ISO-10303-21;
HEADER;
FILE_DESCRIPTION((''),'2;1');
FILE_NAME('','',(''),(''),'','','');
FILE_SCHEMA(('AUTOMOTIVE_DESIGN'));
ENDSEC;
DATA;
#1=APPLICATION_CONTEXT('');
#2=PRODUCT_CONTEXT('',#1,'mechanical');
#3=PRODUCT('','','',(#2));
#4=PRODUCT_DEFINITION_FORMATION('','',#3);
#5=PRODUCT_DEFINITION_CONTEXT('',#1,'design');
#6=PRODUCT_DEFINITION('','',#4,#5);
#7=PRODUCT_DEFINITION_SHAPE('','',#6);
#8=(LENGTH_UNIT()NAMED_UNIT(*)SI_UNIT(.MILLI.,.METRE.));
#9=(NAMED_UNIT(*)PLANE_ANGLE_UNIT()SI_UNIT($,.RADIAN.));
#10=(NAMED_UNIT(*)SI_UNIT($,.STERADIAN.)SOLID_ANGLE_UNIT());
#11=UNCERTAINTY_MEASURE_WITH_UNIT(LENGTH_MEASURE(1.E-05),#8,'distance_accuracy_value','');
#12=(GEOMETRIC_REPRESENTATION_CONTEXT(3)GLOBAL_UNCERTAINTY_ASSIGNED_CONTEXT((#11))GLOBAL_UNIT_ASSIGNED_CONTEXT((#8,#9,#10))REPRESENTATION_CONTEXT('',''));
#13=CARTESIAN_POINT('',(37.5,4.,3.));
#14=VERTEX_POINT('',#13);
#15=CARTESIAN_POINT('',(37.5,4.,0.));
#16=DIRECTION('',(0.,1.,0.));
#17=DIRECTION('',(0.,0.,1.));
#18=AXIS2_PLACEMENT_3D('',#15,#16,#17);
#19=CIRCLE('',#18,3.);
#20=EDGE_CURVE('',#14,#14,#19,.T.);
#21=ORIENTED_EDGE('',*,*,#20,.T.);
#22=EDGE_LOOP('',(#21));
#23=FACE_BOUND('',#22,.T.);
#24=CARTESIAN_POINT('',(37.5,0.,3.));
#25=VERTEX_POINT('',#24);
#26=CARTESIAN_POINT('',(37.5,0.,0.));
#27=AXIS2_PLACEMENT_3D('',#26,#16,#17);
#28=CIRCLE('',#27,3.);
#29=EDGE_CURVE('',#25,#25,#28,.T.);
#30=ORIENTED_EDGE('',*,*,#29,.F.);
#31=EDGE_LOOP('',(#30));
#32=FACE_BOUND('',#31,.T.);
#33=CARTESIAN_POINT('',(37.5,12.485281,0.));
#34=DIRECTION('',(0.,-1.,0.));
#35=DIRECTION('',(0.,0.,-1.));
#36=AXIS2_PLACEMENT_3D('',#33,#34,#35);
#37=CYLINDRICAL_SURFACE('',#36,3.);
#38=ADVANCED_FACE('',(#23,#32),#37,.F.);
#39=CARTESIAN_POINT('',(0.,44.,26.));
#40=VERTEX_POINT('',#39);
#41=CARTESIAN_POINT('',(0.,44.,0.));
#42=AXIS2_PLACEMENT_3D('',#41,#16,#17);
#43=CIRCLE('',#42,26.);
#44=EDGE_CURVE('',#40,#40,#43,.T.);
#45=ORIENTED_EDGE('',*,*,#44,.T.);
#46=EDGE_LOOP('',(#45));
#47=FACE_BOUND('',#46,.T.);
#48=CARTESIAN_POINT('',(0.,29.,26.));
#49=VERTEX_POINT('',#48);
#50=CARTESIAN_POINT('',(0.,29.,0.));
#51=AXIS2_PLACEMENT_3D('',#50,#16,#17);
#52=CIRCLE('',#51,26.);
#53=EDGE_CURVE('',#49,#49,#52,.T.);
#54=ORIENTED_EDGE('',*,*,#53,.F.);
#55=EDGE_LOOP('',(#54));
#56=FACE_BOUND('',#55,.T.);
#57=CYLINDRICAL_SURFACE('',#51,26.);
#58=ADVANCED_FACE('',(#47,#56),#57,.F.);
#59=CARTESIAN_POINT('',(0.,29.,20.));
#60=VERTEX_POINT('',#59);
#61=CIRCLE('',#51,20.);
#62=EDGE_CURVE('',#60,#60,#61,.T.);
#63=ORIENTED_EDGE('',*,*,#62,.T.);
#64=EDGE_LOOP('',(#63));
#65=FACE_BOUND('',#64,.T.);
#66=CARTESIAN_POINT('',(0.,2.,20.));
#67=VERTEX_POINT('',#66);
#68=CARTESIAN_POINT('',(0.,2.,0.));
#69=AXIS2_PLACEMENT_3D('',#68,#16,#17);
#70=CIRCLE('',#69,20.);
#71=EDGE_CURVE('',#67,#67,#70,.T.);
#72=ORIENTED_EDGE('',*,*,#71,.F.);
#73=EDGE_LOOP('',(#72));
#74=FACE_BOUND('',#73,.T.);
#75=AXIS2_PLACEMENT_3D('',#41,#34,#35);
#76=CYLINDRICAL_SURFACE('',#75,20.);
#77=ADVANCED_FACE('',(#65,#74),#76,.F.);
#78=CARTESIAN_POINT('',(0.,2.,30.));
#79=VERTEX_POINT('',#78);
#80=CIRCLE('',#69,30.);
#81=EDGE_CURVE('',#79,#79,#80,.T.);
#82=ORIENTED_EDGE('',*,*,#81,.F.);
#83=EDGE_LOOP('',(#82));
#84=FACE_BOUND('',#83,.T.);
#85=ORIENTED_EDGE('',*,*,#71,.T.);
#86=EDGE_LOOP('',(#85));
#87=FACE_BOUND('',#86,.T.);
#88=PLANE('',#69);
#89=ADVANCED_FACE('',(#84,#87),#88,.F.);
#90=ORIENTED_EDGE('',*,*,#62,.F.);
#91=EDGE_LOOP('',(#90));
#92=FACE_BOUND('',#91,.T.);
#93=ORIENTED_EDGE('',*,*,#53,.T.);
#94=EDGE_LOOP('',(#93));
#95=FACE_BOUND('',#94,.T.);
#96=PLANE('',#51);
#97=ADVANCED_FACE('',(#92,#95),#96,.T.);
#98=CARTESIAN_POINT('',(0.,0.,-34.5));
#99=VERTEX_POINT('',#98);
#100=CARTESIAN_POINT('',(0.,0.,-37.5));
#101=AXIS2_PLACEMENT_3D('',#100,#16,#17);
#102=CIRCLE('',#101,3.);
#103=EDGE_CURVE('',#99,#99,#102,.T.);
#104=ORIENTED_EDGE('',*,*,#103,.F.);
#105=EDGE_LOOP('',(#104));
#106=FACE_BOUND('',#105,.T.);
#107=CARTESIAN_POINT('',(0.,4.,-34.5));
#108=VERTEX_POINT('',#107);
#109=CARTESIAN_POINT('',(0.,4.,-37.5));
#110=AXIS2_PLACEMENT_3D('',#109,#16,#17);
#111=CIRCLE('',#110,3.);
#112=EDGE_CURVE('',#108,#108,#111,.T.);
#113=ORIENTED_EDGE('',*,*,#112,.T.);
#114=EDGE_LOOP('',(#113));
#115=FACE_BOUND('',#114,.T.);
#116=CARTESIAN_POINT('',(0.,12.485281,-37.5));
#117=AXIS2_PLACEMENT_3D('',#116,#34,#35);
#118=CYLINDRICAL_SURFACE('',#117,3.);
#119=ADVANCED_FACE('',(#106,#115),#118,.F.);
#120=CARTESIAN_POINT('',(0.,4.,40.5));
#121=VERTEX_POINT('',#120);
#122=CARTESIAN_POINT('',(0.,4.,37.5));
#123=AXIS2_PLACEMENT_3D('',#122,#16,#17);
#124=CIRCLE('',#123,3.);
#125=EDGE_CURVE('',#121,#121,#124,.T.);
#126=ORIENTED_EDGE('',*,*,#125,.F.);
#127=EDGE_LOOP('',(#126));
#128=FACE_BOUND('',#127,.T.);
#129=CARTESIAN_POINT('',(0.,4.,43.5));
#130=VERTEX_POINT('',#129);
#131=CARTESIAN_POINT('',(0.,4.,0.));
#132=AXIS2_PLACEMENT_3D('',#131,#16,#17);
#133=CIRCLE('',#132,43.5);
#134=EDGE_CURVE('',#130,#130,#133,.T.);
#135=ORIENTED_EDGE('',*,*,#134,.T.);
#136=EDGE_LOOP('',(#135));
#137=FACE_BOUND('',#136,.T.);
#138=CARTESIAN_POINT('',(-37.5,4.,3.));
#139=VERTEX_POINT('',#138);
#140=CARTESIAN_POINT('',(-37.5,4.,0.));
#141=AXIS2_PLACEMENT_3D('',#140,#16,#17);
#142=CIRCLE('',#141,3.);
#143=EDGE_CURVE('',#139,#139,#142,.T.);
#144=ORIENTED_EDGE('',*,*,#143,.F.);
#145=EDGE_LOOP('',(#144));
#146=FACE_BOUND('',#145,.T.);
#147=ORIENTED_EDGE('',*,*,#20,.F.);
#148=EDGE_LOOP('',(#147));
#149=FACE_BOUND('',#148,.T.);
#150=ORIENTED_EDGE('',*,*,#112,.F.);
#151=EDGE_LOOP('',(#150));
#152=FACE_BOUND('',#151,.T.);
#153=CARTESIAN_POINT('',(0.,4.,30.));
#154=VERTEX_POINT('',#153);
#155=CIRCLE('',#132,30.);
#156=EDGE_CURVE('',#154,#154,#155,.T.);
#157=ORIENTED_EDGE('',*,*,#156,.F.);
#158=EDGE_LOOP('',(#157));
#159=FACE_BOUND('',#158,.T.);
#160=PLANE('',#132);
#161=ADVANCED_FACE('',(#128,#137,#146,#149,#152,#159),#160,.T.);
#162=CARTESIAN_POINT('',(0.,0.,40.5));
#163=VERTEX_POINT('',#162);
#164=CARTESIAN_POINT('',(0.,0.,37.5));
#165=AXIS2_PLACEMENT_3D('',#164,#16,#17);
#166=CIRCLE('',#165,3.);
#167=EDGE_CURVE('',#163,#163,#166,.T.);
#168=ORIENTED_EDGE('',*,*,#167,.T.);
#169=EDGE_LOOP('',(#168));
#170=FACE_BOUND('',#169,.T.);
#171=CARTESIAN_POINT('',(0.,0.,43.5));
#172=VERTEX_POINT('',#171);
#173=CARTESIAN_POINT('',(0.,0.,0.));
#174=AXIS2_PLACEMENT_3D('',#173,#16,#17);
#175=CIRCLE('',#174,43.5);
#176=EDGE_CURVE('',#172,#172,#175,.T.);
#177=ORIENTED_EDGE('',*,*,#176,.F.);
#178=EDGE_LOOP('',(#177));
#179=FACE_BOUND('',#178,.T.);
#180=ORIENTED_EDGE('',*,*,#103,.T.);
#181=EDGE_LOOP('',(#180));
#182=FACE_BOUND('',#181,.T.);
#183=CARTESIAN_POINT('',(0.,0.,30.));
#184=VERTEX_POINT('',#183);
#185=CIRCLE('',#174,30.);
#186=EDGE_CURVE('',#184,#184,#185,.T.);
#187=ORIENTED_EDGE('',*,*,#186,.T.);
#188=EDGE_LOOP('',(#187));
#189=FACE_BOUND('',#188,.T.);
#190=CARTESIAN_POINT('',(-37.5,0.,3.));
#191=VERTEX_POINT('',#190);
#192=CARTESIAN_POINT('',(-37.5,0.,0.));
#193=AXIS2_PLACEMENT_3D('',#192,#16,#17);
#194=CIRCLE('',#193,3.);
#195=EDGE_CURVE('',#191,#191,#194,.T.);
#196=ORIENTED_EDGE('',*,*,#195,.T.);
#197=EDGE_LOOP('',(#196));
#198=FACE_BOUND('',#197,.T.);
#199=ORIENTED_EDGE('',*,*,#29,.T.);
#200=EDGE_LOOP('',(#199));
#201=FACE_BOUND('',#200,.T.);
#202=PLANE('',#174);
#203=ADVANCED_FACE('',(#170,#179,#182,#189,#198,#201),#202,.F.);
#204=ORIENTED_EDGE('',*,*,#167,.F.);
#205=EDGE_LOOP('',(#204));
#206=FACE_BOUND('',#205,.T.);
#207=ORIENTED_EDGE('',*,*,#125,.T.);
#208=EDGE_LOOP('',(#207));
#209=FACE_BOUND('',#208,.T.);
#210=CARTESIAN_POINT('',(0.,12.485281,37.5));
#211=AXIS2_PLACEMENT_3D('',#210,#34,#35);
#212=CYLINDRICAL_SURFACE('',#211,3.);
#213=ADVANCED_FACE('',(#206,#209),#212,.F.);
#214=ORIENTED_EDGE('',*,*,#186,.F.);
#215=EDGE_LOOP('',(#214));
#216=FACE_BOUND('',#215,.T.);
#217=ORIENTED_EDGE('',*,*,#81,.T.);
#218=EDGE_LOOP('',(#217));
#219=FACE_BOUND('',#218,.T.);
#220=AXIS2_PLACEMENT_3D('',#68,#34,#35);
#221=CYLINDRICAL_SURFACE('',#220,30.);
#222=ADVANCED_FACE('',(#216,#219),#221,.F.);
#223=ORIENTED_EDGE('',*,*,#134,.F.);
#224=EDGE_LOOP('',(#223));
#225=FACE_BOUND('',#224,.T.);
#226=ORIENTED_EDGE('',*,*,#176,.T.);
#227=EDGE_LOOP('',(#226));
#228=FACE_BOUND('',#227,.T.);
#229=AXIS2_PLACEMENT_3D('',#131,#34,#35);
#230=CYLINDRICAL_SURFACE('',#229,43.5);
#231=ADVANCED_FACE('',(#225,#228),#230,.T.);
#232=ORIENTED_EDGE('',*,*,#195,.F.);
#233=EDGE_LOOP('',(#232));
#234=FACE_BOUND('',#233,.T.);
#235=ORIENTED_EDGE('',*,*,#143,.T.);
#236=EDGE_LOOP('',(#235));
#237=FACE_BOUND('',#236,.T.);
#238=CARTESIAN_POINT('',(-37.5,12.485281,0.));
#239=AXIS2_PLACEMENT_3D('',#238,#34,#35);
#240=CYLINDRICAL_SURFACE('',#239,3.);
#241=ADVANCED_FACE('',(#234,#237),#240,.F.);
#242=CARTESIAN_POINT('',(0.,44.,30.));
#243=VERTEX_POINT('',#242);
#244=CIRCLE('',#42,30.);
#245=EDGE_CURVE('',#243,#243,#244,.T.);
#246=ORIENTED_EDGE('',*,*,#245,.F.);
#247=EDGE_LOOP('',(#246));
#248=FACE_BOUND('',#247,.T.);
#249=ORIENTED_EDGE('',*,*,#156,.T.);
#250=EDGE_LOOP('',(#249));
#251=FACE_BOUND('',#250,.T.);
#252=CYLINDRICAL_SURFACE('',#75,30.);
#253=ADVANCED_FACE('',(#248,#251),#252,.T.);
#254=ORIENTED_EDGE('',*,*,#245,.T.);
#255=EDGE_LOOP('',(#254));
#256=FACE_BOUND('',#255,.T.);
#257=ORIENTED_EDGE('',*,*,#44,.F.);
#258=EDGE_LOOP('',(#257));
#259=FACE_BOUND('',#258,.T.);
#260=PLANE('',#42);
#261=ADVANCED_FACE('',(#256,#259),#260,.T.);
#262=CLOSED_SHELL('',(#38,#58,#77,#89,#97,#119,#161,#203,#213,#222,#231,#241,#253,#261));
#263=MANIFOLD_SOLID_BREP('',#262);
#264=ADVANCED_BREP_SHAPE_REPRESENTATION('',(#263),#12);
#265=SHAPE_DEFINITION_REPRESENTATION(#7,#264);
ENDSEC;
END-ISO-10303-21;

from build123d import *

# Parameters (mm, degrees)
CROQUIS1_R              = 43.5
CROQUIS1_R_2            = 30
SALIENTE_EXTRUIR1_DEPTH = 4
CROQUIS2_R              = 30
CROQUIS2_R_2            = 20
SALIENTE_EXTRUIR2_DEPTH = 44
CROQUIS3_R              = 30
CROQUIS3_R_2            = 20
CORTAR_EXTRUIR1_DEPTH   = 2
CROQUIS4_R              = 26
CORTAR_EXTRUIR2_DEPTH   = 15
CROQUIS5_R              = 3
CORTAR_EXTRUIR3_DEPTH   = 4


with BuildPart() as part:
    # Croquis1 → Saliente-Extruir1 (new body)
    with BuildSketch(Plane(origin=(0, 0, 0), x_dir=(1, 0, 0), z_dir=(0, 1, 0))):
        with Locations(Location((0, 0, 0), (0, 0, 270))):
            Circle(CROQUIS1_R)
        with Locations(Location((0, 0, 0), (0, 0, 270))):
            Circle(CROQUIS1_R_2, mode=Mode.SUBTRACT)
    extrude(amount=SALIENTE_EXTRUIR1_DEPTH)

    # Croquis2 → Saliente-Extruir2 (add)
    with BuildSketch(Plane(origin=(0, 0, 0), x_dir=(1, 0, 0), z_dir=(0, 1, 0))):
        with Locations(Location((0, 0, 0), (0, 0, 270))):
            Circle(CROQUIS2_R)
        with Locations(Location((0, 0, 0), (0, 0, 270))):
            Circle(CROQUIS2_R_2, mode=Mode.SUBTRACT)
    extrude(amount=SALIENTE_EXTRUIR2_DEPTH)

    # Croquis3 → Cortar-Extruir1 (cut)
    with BuildSketch(Plane(origin=(0, 0, 0), x_dir=(1, 0, 0), z_dir=(0, 1, 0))):
        with Locations(Location((0, 0, 0), (0, 0, 270))):
            Circle(CROQUIS3_R)
        with Locations(Location((0, 0, 0), (0, 0, 270))):
            Circle(CROQUIS3_R_2, mode=Mode.SUBTRACT)
    extrude(amount=CORTAR_EXTRUIR1_DEPTH, mode=Mode.SUBTRACT)

    # Croquis4 → Cortar-Extruir2 (cut)
    with BuildSketch(Plane(origin=(0, 44, 0), x_dir=(1, 0, 0), z_dir=(0, 1, 0))):
        with Locations(Location((0, 0, 0), (0, 0, 270))):
            Circle(CROQUIS4_R)
    extrude(amount=-CORTAR_EXTRUIR2_DEPTH, mode=Mode.SUBTRACT)

    # Croquis5 → Cortar-Extruir3 (cut)
    with BuildSketch(Plane(origin=(0, 0, 0), x_dir=(1, 0, 0), z_dir=(0, 1, 0))):
        with Locations(Location((0, -37.5, 0), (0, 0, 270))):
            Circle(CROQUIS5_R)
        with Locations(Location((-37.5, 0, 0), (0, 0, 270))):
            Circle(CROQUIS5_R)
        with Locations(Location((0, 37.5, 0), (0, 0, 270))):
            Circle(CROQUIS5_R)
        with Locations(Location((37.5, 0, 0), (0, 0, 270))):
            Circle(CROQUIS5_R)
    extrude(amount=CORTAR_EXTRUIR3_DEPTH, mode=Mode.SUBTRACT)


solid = part.part
